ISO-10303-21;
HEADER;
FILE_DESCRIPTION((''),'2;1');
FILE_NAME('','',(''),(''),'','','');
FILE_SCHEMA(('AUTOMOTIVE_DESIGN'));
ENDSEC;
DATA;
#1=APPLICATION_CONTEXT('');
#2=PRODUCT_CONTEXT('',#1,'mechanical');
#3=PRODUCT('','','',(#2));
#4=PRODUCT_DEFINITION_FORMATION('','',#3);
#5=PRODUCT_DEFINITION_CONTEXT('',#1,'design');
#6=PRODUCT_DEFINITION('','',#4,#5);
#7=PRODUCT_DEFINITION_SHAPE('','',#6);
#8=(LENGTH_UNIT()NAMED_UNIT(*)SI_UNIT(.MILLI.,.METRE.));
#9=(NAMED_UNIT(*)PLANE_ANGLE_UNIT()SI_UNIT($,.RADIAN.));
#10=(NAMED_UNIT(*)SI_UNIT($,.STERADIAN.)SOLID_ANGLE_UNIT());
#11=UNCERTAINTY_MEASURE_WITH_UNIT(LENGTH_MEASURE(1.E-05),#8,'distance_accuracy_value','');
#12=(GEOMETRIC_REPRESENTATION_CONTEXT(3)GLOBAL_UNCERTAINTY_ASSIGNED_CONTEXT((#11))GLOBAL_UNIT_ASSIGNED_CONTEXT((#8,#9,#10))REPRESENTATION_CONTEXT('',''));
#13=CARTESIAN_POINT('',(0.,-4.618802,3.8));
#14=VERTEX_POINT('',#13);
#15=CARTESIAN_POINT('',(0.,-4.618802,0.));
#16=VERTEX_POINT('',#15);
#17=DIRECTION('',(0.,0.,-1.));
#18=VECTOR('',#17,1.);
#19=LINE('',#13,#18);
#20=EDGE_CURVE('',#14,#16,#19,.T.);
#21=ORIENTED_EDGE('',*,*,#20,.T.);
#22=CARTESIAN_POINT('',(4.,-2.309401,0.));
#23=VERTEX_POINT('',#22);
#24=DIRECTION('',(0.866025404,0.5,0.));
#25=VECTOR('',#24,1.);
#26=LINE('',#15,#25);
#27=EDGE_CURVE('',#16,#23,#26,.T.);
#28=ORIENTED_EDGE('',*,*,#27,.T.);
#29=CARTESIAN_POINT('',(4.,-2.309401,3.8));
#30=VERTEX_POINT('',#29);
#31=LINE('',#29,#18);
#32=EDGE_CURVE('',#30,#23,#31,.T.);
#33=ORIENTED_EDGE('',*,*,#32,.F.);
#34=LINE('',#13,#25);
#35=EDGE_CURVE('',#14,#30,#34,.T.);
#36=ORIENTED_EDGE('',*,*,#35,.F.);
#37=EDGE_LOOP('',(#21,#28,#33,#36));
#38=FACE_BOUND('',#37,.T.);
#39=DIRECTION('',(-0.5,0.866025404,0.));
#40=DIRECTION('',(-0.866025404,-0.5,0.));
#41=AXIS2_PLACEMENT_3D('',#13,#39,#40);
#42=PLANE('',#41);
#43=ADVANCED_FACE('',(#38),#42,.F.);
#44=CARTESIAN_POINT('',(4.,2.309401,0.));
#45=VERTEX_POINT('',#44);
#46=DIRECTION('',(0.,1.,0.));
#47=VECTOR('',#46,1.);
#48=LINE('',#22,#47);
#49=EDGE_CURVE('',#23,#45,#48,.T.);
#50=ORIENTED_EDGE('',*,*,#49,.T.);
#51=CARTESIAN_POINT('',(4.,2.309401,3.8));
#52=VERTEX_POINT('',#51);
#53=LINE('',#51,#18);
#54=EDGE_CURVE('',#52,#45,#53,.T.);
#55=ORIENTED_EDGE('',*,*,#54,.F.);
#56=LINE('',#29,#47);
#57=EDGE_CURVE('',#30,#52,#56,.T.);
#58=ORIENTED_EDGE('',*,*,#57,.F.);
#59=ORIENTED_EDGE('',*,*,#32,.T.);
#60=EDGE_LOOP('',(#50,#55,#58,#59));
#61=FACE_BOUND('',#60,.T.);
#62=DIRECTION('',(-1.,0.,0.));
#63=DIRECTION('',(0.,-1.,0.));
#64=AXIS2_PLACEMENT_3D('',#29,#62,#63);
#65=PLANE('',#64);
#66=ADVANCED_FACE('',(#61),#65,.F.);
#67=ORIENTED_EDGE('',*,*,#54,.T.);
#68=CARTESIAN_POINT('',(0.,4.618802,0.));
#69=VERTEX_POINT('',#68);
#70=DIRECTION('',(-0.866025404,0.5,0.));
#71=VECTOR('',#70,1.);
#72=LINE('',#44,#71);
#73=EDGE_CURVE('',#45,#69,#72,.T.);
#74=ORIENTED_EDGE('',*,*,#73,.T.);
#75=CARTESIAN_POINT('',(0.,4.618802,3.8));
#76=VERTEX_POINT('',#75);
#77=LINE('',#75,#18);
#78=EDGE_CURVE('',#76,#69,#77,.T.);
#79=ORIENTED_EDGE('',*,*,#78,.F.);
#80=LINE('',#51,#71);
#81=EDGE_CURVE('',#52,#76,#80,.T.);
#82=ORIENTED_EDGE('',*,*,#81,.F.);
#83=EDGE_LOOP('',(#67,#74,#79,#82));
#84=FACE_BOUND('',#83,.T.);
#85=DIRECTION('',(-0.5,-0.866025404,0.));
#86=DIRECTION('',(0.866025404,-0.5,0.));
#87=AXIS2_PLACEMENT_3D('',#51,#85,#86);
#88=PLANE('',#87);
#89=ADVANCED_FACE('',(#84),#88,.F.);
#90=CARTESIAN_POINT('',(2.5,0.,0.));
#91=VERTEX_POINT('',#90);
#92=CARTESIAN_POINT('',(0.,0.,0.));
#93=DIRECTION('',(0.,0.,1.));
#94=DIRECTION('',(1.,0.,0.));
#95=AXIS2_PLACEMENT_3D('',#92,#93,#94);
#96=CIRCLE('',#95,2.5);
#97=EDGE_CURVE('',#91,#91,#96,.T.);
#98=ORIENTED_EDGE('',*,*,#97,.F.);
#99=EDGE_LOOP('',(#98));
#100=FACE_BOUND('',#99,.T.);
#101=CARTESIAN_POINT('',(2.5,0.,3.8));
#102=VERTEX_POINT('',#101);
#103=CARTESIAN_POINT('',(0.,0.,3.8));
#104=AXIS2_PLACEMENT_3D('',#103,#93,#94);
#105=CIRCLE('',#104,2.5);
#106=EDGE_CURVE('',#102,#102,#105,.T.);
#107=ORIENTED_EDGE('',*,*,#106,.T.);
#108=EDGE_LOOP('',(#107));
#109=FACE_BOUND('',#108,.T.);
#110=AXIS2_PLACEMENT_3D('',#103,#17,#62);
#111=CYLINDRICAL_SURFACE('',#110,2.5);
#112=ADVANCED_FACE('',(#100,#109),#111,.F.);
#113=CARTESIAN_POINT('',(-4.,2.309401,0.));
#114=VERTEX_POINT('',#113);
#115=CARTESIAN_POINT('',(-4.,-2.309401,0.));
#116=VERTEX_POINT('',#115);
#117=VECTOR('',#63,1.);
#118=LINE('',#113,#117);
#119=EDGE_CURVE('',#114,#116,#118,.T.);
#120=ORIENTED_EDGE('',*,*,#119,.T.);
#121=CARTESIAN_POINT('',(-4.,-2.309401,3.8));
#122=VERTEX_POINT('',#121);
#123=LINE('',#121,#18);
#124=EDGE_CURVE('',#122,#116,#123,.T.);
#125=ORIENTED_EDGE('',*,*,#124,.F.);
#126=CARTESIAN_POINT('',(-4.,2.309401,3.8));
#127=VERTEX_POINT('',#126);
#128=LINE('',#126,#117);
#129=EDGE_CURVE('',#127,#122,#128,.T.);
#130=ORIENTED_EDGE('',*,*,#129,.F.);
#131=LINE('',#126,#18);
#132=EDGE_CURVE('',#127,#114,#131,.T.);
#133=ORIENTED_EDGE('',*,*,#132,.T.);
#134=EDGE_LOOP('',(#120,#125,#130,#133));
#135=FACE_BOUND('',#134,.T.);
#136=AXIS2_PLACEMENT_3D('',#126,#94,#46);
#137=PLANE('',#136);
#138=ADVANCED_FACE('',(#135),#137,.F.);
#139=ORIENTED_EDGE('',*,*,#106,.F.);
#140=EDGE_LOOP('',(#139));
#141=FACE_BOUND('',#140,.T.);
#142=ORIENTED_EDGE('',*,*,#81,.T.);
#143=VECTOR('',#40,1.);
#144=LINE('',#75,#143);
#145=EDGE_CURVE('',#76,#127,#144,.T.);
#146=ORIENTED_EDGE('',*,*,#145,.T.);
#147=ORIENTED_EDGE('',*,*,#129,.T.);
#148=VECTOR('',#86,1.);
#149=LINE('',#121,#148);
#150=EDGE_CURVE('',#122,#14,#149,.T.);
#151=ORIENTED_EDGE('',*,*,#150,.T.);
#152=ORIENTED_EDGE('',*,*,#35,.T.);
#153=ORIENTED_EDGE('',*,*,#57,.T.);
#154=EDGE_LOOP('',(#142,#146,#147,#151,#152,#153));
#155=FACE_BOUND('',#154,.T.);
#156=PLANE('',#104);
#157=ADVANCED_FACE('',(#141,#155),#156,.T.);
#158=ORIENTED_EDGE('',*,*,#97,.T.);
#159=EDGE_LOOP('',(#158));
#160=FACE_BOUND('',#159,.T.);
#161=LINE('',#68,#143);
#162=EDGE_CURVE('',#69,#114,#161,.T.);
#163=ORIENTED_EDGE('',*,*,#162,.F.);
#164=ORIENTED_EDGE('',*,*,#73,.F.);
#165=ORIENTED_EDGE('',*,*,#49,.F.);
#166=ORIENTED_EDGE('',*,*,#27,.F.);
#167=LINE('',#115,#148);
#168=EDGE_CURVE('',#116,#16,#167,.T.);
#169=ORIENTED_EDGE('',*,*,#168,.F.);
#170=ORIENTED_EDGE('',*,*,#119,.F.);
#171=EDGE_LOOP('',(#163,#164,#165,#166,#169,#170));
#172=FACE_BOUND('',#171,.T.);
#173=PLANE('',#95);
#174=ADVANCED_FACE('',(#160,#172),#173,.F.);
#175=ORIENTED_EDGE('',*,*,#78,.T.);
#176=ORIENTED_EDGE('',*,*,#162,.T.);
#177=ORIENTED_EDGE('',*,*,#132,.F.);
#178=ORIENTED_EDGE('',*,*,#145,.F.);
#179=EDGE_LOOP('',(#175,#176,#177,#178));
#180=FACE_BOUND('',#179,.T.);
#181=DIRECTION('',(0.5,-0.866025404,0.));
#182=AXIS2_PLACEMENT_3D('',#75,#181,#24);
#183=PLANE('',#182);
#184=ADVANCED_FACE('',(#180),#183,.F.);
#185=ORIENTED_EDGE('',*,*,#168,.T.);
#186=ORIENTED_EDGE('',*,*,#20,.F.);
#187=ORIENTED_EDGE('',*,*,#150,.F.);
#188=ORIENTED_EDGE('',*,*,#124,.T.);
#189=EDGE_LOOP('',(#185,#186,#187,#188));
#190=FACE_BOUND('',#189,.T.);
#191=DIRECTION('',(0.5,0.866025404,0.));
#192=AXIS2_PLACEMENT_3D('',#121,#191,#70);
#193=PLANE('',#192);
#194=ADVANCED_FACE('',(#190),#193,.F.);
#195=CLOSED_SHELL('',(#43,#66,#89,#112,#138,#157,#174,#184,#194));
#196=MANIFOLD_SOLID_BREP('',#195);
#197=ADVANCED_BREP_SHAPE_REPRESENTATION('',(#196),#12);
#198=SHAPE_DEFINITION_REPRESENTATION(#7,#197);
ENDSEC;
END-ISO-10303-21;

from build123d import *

# Parameters (mm, degrees)
SKETCH1_R           = 2.5
BOSS_EXTRUDE1_DEPTH = 3.8


with BuildPart() as part:
    # Sketch1 → Boss-Extrude1 (new body)
    with BuildSketch(Plane.XY):
        Polygon((0, 4.618802154), (-4, 2.309401077), (-4, -2.309401077), (0, -4.618802154), (4, -2.309401077), (4, 2.309401077), align=None)
        Circle(SKETCH1_R, mode=Mode.SUBTRACT)
    extrude(amount=BOSS_EXTRUDE1_DEPTH)


solid = part.part
